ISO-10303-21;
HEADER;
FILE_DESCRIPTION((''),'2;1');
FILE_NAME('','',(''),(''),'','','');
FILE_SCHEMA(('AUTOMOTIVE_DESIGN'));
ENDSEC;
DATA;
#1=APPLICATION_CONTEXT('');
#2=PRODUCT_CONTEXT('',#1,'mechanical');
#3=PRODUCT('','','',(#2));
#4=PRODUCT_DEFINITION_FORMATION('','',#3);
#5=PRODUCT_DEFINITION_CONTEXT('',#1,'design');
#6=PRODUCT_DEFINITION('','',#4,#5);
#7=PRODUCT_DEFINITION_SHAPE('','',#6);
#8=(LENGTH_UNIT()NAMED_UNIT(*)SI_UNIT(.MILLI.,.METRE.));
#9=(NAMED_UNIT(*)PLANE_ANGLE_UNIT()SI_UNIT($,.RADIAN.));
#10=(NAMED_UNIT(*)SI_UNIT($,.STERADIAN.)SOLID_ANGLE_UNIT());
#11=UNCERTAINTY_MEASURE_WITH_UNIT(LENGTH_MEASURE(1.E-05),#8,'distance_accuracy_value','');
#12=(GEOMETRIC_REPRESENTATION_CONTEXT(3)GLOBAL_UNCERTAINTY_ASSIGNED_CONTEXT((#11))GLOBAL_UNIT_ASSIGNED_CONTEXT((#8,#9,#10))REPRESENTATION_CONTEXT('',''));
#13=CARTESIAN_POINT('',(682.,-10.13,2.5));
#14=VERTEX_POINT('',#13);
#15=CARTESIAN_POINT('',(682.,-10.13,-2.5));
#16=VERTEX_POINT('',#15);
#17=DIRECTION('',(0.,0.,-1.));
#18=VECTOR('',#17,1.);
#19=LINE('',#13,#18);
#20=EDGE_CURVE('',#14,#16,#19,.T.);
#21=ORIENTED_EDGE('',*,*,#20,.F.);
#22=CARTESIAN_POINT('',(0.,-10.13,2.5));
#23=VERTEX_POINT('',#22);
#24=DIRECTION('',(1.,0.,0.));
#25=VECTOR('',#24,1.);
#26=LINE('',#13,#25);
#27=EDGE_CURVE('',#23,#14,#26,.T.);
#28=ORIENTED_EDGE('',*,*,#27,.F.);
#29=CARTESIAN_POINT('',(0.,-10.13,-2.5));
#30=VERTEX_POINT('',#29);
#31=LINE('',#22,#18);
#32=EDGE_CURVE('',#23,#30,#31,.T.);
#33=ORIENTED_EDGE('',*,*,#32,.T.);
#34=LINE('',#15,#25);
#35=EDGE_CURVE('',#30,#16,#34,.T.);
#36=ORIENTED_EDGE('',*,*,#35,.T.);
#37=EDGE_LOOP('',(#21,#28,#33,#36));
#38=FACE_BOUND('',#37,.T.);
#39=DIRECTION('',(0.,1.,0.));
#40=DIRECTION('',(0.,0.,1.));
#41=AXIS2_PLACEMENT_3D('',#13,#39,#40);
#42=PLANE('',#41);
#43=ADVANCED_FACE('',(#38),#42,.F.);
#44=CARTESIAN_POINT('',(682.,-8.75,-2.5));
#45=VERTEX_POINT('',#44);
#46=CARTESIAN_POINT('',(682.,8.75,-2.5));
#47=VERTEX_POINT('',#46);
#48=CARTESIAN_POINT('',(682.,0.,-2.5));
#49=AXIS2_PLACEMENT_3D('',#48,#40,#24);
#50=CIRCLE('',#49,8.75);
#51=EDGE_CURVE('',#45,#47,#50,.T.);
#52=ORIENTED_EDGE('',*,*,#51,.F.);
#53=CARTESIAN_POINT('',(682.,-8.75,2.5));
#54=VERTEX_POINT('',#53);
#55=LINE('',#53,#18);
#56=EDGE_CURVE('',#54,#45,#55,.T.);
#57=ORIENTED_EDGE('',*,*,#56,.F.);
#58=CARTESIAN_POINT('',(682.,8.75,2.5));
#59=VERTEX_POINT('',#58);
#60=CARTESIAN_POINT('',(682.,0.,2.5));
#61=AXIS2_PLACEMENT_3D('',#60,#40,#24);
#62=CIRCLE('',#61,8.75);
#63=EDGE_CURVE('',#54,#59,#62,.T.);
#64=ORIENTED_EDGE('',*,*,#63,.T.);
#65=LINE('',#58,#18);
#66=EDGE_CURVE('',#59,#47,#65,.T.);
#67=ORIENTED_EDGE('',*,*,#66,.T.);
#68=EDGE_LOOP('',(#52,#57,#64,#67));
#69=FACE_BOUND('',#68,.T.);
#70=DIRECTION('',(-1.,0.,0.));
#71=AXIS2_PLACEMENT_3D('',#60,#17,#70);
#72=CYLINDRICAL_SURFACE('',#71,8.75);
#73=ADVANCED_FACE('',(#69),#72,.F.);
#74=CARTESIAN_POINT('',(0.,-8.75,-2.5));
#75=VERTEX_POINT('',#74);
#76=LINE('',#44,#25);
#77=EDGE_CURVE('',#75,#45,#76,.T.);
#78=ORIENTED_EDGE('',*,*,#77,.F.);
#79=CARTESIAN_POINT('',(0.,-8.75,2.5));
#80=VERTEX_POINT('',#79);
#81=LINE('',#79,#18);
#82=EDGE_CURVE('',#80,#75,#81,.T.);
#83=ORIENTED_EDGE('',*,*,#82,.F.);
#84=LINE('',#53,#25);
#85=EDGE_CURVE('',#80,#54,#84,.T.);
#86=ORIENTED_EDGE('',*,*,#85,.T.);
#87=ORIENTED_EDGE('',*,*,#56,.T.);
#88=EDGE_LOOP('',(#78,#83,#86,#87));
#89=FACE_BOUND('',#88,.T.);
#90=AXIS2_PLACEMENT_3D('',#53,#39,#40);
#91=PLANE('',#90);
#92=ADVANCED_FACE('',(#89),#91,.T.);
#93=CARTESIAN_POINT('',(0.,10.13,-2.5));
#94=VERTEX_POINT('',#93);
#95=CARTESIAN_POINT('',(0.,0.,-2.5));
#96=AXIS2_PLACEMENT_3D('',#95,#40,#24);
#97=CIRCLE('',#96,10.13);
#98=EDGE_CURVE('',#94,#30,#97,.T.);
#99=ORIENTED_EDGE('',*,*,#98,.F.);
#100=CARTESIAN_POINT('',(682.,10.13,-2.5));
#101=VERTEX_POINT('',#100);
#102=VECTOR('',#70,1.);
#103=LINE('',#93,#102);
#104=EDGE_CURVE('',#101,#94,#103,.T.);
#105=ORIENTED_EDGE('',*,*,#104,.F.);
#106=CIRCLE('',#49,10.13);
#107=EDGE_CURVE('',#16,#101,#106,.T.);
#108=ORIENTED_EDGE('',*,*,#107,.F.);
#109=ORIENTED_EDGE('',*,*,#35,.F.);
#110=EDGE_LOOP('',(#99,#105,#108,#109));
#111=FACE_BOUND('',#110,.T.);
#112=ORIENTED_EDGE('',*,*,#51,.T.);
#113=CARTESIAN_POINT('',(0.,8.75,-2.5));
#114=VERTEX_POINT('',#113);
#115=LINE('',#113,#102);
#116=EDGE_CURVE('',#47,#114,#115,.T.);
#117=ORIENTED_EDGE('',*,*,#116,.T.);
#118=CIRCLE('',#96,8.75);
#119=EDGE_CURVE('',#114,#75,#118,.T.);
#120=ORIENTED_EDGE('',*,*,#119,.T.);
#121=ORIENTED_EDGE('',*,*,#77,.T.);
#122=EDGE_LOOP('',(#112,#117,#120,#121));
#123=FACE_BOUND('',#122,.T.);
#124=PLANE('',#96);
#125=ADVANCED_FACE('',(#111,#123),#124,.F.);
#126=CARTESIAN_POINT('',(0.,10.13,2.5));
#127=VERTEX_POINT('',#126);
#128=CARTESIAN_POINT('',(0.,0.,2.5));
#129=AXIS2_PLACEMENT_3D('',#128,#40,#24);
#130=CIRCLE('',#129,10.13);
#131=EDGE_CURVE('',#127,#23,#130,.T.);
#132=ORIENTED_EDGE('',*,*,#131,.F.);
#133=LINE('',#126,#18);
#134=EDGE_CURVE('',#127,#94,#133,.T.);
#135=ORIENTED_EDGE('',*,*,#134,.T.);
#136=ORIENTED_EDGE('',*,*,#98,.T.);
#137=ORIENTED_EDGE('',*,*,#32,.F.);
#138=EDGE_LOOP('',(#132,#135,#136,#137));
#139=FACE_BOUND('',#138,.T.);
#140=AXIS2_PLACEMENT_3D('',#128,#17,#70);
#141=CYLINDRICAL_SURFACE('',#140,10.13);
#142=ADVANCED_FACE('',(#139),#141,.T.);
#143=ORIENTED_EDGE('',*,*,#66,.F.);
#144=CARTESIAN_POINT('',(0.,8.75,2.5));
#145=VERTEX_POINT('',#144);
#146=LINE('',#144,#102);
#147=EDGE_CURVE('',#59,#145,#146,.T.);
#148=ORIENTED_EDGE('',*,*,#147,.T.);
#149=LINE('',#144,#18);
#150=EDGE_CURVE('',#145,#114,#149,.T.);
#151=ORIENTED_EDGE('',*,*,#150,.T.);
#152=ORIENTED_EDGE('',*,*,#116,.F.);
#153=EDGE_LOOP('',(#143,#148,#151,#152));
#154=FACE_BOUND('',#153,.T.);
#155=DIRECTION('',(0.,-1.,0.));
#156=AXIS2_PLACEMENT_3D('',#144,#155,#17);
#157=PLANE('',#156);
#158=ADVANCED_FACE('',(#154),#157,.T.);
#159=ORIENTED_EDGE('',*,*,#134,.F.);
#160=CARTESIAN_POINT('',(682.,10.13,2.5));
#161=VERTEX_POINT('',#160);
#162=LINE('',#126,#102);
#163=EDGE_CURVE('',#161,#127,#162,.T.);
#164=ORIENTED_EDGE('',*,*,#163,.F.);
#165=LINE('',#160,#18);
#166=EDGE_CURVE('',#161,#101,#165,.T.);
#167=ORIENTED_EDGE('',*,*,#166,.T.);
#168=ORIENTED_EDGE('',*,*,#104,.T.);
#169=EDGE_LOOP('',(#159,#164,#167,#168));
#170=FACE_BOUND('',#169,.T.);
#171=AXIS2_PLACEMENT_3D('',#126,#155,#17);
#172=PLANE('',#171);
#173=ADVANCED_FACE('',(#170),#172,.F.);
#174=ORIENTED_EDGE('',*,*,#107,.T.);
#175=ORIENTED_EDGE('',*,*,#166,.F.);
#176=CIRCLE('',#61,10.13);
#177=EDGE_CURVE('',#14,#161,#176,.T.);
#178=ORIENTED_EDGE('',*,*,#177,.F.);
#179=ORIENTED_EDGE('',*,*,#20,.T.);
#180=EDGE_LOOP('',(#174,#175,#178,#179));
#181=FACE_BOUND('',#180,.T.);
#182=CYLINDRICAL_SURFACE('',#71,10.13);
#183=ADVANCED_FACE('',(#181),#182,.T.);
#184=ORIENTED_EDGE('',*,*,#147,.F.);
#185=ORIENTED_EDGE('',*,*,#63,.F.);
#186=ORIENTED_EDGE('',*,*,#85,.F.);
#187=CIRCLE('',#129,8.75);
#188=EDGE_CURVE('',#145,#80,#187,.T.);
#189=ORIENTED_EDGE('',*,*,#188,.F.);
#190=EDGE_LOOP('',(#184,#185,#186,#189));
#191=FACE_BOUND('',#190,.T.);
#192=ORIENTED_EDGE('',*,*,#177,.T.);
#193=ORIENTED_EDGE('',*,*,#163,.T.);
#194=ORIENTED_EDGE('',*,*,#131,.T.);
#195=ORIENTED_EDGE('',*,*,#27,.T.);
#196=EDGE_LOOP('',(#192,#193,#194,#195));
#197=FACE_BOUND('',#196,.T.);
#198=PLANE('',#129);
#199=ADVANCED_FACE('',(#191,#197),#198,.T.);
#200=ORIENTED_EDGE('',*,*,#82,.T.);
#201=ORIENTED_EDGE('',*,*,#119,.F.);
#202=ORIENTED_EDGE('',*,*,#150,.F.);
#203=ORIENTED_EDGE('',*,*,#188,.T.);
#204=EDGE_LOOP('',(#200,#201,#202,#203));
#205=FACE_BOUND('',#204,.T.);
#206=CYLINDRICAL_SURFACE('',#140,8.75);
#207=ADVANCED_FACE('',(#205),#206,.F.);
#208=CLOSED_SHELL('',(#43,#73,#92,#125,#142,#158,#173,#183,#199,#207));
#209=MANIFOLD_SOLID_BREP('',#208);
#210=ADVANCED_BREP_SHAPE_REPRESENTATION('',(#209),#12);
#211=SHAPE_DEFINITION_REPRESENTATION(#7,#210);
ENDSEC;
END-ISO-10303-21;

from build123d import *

# Parameters (mm, degrees)
EXTRUDE_THIN1_DEPTH = 2.5


with BuildPart() as part:
    # Sketch1 → Extrude-Thin1 (new, symmetric)
    with BuildSketch(Plane.XY):
        with BuildLine():
            Line((682, -10.13), (0, -10.13))
            ThreePointArc((0, -10.13), (-10.13, 0), (0, 10.13))
            Line((0, 10.13), (682, 10.13))
            ThreePointArc((682, 10.13), (692.13, 0), (682, -10.13))
        make_face()
        with BuildLine():
            Line((682, -8.75), (0, -8.75))
            ThreePointArc((0, -8.75), (-8.75, 0), (0, 8.75))
            Line((0, 8.75), (682, 8.75))
            ThreePointArc((682, 8.75), (690.75, 0), (682, -8.75))
        make_face(mode=Mode.SUBTRACT)
    extrude(amount=EXTRUDE_THIN1_DEPTH, both=True)


solid = part.part
